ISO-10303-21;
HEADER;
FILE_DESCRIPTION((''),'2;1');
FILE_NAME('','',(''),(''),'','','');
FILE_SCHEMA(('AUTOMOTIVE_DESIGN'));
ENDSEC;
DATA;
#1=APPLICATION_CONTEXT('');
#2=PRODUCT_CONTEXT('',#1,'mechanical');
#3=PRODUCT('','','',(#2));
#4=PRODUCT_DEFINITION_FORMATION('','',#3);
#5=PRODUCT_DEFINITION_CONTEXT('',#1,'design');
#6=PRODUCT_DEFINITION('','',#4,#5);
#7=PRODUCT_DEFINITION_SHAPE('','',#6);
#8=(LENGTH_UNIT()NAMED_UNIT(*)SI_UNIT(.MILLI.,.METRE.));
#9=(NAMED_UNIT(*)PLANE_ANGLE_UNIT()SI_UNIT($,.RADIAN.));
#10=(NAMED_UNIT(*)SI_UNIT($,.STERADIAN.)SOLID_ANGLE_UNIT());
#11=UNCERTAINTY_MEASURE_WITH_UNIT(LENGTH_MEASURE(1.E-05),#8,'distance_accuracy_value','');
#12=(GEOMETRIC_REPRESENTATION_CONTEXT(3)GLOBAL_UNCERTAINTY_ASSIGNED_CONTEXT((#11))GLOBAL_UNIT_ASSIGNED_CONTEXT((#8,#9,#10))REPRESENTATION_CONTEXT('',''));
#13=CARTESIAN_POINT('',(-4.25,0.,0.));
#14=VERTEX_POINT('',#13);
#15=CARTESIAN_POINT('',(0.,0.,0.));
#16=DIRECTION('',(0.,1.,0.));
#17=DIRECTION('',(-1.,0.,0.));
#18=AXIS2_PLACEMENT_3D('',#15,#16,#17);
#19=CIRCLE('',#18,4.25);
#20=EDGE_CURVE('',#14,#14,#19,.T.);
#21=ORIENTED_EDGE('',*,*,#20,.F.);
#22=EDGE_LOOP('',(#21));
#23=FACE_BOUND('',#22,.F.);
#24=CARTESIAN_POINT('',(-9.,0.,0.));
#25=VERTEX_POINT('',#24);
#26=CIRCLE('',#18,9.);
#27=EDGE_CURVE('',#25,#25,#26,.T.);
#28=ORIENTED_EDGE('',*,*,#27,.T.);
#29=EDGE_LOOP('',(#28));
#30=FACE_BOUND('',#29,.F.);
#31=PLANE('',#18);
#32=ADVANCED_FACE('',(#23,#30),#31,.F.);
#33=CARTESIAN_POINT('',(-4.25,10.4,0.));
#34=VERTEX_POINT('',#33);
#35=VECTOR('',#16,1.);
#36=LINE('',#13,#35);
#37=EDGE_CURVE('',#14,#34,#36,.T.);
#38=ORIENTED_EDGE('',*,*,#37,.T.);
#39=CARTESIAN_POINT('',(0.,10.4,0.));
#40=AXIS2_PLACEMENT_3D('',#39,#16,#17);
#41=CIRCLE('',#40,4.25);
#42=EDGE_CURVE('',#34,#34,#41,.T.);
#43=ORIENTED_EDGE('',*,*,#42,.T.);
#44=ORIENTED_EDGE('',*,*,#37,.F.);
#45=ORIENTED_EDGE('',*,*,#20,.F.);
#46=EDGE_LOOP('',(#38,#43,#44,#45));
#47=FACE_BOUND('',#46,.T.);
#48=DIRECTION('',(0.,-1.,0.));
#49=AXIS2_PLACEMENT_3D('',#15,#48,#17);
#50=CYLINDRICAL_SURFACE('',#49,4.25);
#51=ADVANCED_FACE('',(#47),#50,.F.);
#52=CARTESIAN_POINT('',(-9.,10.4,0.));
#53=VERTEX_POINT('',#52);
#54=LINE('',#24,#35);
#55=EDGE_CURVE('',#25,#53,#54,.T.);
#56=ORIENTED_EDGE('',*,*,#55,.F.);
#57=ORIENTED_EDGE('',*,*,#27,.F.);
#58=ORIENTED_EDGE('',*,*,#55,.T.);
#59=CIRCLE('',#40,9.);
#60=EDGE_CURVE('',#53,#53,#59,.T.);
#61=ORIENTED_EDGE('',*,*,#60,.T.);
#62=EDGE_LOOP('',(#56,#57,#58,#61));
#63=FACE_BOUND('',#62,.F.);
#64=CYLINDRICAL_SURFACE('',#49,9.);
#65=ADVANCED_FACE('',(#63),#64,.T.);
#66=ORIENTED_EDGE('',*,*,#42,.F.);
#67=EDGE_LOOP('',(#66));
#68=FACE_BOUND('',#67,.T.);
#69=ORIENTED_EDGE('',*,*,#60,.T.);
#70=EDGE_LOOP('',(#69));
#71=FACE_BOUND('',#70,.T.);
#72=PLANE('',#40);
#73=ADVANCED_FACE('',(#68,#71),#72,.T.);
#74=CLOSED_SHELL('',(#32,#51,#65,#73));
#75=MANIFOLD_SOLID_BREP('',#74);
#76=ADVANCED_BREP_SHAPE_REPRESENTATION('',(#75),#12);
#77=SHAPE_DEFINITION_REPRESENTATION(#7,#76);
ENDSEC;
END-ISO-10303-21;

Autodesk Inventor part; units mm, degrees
ref_plane "YZ Plane" through (0, 0, 0) normal (1, 0, 0) x (0, 1, 0)
ref_plane "XZ Plane" through (0, 0, 0) normal (0, 1, 0) x (-1, 0, 0)
ref_plane "XY Plane" through (0, 0, 0) normal (0, 0, 1) x (1, 0, 0)
sketch "スケッチ1" plane through (0, 0, 0) normal (0, 1, 0) x (-1, 0, 0)
  circle A0 centre (0, 0) radius 4.25
  circle A1 centre (0, 0) radius 9
  dimension "d0" = 8.5
  dimension "d1" = 18
extrude "押し出し1" add sketch "スケッチ1" along normal blind 10.4
sketch "スケッチ2" plane through (0, 10.4, 0) normal (0, 1, 0) x (1, 0, 0)
  circle A0 centre (0, 0) radius 4.25 construction
  circle A1 centre (0, 0) radius 12.5 construction
  point P0 (-12.5, 0)
  point P1 (0, -12.5)
  point P2 (12.5, 0)
  point P3 (0, 12.5)
  dimension "d4" = 25
  dimension "d7" = 360
hole "穴1" [suppressed]
properties part number "shoulder2_pully_spacer"
